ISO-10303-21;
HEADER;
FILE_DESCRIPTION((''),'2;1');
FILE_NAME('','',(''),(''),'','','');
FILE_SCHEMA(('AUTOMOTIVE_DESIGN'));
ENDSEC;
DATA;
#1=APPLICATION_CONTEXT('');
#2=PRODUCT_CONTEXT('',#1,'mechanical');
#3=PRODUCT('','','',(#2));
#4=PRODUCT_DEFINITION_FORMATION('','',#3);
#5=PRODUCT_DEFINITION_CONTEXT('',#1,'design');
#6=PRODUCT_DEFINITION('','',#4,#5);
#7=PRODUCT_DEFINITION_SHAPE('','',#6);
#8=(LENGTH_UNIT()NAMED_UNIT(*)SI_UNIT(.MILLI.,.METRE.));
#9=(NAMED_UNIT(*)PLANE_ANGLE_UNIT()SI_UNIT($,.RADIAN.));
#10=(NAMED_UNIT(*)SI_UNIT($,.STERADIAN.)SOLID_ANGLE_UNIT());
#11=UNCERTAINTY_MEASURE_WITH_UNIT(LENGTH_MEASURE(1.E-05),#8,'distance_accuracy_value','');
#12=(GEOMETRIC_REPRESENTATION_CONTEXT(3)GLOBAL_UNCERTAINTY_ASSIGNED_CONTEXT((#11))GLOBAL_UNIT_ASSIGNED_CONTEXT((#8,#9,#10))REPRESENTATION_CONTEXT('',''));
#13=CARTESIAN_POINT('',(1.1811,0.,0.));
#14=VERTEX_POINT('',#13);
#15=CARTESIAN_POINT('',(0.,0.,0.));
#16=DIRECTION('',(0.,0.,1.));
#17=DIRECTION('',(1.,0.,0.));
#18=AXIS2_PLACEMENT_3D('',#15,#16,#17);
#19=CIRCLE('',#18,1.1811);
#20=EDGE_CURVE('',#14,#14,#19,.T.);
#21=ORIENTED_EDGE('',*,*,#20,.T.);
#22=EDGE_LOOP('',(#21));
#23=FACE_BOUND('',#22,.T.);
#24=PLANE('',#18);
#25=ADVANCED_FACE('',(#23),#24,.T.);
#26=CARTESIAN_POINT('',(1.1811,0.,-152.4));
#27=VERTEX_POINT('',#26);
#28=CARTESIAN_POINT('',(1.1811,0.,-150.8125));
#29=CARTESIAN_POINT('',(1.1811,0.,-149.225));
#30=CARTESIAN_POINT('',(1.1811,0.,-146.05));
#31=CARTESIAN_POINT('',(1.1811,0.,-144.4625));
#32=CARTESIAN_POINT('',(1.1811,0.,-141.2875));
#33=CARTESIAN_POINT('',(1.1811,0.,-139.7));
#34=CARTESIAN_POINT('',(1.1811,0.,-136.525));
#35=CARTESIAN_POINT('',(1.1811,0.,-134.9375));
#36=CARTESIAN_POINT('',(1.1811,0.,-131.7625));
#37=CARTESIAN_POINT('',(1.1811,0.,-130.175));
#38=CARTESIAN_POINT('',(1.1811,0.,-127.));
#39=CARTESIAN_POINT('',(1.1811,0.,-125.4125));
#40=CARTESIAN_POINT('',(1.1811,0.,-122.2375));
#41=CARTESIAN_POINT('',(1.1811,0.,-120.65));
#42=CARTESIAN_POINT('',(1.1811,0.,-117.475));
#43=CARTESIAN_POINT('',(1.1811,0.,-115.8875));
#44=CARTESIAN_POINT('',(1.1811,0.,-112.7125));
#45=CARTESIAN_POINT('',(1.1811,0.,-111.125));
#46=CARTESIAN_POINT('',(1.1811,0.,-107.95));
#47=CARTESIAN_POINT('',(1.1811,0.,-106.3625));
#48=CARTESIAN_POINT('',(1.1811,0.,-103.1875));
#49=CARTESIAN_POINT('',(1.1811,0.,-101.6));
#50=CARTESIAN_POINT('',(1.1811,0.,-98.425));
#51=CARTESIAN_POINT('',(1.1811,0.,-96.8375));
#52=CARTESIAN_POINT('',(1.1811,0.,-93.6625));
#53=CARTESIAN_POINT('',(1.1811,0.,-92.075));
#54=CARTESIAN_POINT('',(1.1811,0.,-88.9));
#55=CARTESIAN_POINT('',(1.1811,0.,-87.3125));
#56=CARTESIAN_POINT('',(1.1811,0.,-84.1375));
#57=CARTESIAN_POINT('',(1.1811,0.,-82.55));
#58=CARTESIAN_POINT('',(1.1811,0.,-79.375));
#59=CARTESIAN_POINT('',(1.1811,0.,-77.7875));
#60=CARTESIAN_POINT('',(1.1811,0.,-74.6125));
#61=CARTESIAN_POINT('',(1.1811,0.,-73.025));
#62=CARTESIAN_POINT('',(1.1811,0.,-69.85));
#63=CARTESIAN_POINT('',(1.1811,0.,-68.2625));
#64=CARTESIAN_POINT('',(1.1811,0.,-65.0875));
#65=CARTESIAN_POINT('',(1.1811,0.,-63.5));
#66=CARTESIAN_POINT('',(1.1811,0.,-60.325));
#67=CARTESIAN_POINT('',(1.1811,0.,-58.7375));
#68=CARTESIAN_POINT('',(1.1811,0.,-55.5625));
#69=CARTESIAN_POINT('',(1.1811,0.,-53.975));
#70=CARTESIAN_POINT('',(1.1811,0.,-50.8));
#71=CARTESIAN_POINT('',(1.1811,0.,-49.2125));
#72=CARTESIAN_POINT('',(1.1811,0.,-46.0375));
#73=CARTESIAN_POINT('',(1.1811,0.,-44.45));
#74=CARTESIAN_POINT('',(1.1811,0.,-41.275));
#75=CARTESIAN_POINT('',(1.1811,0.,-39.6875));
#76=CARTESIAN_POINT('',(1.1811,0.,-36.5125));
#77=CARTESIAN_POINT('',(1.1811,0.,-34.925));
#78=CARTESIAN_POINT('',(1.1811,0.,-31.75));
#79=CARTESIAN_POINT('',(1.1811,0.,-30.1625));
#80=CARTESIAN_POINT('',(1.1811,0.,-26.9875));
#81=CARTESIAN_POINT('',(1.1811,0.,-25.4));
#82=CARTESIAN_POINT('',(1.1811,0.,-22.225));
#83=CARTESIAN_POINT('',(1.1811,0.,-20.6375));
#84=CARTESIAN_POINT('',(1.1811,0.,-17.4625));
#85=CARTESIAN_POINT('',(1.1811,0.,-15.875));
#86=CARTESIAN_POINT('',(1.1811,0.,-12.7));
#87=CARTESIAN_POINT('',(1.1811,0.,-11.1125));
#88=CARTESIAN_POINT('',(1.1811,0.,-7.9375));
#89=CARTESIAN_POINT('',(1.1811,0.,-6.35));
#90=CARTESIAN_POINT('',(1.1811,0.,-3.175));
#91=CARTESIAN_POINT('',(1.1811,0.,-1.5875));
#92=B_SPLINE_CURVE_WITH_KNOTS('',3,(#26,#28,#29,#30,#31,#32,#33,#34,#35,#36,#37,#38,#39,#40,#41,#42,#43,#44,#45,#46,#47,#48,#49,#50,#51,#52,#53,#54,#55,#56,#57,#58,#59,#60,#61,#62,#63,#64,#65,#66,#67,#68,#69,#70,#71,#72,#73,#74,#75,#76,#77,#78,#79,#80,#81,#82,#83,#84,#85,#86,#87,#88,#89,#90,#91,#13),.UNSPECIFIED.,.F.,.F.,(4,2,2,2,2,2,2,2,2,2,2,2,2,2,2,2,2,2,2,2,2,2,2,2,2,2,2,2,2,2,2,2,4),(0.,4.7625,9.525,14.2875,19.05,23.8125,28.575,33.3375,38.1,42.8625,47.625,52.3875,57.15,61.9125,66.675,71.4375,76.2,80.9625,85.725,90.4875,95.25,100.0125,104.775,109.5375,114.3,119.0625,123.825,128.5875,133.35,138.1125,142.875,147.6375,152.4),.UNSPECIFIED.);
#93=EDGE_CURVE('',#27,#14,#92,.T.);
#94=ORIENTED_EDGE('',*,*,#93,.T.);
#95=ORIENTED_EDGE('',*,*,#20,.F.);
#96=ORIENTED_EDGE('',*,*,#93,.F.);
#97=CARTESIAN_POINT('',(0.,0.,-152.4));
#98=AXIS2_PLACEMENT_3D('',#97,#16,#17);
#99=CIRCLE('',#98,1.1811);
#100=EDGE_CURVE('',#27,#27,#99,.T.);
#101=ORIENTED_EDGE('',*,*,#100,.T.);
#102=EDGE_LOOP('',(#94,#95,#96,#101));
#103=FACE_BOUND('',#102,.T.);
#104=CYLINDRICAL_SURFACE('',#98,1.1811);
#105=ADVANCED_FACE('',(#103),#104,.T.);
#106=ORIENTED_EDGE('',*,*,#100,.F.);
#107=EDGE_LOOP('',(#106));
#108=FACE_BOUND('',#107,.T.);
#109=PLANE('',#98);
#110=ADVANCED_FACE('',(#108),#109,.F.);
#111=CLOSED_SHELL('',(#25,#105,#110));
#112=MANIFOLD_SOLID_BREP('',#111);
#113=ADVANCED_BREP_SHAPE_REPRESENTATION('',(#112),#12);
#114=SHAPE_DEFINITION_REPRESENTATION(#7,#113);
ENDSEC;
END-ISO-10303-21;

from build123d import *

# Parameters (mm, degrees)
SKETCH1_R    = 1.1811
RODEND_DEPTH = 152.4


with BuildPart() as part:
    # Sketch1 → RodEnd (new body)
    with BuildSketch(Plane.XY):
        Circle(SKETCH1_R)
    extrude(amount=-RODEND_DEPTH)


solid = part.part
